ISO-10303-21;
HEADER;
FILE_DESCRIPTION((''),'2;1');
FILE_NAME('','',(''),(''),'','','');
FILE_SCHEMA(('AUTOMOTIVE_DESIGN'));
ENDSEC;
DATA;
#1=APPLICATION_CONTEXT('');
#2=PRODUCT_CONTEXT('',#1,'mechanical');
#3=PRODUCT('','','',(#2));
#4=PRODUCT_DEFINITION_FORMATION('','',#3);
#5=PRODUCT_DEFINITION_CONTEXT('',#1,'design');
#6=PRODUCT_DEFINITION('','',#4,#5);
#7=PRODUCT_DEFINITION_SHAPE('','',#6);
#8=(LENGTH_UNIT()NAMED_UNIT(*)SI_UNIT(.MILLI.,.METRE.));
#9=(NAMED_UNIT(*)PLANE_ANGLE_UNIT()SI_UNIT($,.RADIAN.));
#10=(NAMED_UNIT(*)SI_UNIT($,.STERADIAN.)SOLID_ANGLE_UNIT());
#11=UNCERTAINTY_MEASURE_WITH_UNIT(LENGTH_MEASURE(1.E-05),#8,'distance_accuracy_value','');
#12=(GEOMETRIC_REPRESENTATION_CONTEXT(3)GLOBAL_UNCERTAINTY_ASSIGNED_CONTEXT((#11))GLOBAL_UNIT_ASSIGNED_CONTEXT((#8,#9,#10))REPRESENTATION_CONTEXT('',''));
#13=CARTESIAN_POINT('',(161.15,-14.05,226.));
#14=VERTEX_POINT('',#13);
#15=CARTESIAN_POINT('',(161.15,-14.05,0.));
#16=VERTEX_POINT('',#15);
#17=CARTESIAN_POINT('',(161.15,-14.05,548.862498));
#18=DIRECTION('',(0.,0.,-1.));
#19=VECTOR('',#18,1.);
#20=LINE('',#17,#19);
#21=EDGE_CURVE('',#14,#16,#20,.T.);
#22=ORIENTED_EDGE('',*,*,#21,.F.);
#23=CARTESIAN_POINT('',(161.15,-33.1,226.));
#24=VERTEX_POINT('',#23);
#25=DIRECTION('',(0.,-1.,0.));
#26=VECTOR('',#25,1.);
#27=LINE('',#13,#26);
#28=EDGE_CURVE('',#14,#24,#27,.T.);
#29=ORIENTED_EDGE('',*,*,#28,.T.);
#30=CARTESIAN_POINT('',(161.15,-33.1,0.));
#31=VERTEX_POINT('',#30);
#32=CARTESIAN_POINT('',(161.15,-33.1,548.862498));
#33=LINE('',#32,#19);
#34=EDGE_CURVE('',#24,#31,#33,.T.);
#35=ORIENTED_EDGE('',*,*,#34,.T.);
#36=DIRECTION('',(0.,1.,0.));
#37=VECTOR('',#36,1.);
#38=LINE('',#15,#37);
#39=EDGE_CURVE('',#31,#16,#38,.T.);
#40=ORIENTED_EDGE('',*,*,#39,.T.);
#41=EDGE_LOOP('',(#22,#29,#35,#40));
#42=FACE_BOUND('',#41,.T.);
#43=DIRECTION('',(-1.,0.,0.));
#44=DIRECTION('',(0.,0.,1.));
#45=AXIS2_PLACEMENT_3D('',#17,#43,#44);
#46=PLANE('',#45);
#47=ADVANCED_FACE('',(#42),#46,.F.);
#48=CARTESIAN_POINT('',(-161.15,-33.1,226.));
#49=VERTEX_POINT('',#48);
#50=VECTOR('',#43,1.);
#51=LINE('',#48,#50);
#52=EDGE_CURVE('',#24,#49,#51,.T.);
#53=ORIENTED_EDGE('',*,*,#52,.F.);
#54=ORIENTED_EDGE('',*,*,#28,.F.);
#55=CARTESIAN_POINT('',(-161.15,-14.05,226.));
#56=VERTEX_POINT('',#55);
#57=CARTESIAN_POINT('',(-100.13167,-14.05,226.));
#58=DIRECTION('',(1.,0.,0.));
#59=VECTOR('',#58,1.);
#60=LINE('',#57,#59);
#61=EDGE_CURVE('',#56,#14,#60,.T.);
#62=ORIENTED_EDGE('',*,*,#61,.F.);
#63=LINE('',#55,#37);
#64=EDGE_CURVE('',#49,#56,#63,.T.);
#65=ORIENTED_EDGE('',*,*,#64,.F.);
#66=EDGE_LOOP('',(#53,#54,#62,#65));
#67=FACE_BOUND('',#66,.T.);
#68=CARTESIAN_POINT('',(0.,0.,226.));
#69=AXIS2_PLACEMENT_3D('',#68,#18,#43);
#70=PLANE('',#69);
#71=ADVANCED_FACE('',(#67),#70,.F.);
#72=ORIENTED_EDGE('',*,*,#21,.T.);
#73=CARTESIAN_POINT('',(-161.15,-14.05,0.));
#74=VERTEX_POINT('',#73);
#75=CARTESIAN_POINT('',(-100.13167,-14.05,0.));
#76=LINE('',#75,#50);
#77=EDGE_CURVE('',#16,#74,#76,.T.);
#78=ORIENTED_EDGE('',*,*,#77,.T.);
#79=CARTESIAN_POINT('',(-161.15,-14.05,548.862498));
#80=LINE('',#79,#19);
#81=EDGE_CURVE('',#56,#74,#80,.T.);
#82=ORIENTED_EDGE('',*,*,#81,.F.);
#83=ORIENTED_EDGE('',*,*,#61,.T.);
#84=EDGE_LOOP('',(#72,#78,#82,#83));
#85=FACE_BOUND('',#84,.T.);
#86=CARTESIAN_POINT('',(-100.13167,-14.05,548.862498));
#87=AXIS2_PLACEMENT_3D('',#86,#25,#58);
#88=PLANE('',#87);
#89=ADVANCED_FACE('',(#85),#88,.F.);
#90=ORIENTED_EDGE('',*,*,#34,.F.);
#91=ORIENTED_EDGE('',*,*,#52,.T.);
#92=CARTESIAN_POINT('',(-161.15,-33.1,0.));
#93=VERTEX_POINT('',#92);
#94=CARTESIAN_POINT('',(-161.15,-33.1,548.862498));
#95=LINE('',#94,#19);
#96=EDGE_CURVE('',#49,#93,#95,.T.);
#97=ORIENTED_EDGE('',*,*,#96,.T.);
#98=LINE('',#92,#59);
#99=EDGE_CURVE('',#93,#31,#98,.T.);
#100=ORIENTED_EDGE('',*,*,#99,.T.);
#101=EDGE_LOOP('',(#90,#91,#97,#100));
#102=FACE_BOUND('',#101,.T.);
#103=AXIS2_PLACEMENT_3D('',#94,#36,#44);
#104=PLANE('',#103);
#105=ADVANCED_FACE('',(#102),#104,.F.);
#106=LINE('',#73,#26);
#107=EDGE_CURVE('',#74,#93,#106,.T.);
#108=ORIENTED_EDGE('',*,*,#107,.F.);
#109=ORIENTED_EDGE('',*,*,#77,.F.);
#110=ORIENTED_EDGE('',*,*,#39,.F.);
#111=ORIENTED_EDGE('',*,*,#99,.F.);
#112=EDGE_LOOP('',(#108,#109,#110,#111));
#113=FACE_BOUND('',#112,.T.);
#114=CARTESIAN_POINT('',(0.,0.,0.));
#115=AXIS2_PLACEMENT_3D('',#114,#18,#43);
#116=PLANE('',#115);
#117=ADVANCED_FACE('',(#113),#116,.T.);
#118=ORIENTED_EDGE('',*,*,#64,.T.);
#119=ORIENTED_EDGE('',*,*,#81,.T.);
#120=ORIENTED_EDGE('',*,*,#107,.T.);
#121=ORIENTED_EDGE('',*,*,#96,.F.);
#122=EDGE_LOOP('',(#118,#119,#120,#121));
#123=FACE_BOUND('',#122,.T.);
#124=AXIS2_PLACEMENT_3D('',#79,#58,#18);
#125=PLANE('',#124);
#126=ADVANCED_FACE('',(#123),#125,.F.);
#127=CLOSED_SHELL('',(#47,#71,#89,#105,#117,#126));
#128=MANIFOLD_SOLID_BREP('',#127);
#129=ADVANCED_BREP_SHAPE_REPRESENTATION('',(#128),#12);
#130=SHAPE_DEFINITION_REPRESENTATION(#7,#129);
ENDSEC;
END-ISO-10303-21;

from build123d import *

# Parameters (mm, degrees)
BOSS_EXTRUDE1_DEPTH = 226


with BuildPart() as part:
    # Sketch1 → Boss-Extrude1 (new body)
    with BuildSketch(Plane.XY):
        Polygon((161.15, -14.05), (161.15, -33.1), (-161.15, -33.1), (-161.15, -14.05), (-100.131670195, -14.05), (100.131670195, -14.05), align=None)
    extrude(amount=BOSS_EXTRUDE1_DEPTH)


solid = part.part
